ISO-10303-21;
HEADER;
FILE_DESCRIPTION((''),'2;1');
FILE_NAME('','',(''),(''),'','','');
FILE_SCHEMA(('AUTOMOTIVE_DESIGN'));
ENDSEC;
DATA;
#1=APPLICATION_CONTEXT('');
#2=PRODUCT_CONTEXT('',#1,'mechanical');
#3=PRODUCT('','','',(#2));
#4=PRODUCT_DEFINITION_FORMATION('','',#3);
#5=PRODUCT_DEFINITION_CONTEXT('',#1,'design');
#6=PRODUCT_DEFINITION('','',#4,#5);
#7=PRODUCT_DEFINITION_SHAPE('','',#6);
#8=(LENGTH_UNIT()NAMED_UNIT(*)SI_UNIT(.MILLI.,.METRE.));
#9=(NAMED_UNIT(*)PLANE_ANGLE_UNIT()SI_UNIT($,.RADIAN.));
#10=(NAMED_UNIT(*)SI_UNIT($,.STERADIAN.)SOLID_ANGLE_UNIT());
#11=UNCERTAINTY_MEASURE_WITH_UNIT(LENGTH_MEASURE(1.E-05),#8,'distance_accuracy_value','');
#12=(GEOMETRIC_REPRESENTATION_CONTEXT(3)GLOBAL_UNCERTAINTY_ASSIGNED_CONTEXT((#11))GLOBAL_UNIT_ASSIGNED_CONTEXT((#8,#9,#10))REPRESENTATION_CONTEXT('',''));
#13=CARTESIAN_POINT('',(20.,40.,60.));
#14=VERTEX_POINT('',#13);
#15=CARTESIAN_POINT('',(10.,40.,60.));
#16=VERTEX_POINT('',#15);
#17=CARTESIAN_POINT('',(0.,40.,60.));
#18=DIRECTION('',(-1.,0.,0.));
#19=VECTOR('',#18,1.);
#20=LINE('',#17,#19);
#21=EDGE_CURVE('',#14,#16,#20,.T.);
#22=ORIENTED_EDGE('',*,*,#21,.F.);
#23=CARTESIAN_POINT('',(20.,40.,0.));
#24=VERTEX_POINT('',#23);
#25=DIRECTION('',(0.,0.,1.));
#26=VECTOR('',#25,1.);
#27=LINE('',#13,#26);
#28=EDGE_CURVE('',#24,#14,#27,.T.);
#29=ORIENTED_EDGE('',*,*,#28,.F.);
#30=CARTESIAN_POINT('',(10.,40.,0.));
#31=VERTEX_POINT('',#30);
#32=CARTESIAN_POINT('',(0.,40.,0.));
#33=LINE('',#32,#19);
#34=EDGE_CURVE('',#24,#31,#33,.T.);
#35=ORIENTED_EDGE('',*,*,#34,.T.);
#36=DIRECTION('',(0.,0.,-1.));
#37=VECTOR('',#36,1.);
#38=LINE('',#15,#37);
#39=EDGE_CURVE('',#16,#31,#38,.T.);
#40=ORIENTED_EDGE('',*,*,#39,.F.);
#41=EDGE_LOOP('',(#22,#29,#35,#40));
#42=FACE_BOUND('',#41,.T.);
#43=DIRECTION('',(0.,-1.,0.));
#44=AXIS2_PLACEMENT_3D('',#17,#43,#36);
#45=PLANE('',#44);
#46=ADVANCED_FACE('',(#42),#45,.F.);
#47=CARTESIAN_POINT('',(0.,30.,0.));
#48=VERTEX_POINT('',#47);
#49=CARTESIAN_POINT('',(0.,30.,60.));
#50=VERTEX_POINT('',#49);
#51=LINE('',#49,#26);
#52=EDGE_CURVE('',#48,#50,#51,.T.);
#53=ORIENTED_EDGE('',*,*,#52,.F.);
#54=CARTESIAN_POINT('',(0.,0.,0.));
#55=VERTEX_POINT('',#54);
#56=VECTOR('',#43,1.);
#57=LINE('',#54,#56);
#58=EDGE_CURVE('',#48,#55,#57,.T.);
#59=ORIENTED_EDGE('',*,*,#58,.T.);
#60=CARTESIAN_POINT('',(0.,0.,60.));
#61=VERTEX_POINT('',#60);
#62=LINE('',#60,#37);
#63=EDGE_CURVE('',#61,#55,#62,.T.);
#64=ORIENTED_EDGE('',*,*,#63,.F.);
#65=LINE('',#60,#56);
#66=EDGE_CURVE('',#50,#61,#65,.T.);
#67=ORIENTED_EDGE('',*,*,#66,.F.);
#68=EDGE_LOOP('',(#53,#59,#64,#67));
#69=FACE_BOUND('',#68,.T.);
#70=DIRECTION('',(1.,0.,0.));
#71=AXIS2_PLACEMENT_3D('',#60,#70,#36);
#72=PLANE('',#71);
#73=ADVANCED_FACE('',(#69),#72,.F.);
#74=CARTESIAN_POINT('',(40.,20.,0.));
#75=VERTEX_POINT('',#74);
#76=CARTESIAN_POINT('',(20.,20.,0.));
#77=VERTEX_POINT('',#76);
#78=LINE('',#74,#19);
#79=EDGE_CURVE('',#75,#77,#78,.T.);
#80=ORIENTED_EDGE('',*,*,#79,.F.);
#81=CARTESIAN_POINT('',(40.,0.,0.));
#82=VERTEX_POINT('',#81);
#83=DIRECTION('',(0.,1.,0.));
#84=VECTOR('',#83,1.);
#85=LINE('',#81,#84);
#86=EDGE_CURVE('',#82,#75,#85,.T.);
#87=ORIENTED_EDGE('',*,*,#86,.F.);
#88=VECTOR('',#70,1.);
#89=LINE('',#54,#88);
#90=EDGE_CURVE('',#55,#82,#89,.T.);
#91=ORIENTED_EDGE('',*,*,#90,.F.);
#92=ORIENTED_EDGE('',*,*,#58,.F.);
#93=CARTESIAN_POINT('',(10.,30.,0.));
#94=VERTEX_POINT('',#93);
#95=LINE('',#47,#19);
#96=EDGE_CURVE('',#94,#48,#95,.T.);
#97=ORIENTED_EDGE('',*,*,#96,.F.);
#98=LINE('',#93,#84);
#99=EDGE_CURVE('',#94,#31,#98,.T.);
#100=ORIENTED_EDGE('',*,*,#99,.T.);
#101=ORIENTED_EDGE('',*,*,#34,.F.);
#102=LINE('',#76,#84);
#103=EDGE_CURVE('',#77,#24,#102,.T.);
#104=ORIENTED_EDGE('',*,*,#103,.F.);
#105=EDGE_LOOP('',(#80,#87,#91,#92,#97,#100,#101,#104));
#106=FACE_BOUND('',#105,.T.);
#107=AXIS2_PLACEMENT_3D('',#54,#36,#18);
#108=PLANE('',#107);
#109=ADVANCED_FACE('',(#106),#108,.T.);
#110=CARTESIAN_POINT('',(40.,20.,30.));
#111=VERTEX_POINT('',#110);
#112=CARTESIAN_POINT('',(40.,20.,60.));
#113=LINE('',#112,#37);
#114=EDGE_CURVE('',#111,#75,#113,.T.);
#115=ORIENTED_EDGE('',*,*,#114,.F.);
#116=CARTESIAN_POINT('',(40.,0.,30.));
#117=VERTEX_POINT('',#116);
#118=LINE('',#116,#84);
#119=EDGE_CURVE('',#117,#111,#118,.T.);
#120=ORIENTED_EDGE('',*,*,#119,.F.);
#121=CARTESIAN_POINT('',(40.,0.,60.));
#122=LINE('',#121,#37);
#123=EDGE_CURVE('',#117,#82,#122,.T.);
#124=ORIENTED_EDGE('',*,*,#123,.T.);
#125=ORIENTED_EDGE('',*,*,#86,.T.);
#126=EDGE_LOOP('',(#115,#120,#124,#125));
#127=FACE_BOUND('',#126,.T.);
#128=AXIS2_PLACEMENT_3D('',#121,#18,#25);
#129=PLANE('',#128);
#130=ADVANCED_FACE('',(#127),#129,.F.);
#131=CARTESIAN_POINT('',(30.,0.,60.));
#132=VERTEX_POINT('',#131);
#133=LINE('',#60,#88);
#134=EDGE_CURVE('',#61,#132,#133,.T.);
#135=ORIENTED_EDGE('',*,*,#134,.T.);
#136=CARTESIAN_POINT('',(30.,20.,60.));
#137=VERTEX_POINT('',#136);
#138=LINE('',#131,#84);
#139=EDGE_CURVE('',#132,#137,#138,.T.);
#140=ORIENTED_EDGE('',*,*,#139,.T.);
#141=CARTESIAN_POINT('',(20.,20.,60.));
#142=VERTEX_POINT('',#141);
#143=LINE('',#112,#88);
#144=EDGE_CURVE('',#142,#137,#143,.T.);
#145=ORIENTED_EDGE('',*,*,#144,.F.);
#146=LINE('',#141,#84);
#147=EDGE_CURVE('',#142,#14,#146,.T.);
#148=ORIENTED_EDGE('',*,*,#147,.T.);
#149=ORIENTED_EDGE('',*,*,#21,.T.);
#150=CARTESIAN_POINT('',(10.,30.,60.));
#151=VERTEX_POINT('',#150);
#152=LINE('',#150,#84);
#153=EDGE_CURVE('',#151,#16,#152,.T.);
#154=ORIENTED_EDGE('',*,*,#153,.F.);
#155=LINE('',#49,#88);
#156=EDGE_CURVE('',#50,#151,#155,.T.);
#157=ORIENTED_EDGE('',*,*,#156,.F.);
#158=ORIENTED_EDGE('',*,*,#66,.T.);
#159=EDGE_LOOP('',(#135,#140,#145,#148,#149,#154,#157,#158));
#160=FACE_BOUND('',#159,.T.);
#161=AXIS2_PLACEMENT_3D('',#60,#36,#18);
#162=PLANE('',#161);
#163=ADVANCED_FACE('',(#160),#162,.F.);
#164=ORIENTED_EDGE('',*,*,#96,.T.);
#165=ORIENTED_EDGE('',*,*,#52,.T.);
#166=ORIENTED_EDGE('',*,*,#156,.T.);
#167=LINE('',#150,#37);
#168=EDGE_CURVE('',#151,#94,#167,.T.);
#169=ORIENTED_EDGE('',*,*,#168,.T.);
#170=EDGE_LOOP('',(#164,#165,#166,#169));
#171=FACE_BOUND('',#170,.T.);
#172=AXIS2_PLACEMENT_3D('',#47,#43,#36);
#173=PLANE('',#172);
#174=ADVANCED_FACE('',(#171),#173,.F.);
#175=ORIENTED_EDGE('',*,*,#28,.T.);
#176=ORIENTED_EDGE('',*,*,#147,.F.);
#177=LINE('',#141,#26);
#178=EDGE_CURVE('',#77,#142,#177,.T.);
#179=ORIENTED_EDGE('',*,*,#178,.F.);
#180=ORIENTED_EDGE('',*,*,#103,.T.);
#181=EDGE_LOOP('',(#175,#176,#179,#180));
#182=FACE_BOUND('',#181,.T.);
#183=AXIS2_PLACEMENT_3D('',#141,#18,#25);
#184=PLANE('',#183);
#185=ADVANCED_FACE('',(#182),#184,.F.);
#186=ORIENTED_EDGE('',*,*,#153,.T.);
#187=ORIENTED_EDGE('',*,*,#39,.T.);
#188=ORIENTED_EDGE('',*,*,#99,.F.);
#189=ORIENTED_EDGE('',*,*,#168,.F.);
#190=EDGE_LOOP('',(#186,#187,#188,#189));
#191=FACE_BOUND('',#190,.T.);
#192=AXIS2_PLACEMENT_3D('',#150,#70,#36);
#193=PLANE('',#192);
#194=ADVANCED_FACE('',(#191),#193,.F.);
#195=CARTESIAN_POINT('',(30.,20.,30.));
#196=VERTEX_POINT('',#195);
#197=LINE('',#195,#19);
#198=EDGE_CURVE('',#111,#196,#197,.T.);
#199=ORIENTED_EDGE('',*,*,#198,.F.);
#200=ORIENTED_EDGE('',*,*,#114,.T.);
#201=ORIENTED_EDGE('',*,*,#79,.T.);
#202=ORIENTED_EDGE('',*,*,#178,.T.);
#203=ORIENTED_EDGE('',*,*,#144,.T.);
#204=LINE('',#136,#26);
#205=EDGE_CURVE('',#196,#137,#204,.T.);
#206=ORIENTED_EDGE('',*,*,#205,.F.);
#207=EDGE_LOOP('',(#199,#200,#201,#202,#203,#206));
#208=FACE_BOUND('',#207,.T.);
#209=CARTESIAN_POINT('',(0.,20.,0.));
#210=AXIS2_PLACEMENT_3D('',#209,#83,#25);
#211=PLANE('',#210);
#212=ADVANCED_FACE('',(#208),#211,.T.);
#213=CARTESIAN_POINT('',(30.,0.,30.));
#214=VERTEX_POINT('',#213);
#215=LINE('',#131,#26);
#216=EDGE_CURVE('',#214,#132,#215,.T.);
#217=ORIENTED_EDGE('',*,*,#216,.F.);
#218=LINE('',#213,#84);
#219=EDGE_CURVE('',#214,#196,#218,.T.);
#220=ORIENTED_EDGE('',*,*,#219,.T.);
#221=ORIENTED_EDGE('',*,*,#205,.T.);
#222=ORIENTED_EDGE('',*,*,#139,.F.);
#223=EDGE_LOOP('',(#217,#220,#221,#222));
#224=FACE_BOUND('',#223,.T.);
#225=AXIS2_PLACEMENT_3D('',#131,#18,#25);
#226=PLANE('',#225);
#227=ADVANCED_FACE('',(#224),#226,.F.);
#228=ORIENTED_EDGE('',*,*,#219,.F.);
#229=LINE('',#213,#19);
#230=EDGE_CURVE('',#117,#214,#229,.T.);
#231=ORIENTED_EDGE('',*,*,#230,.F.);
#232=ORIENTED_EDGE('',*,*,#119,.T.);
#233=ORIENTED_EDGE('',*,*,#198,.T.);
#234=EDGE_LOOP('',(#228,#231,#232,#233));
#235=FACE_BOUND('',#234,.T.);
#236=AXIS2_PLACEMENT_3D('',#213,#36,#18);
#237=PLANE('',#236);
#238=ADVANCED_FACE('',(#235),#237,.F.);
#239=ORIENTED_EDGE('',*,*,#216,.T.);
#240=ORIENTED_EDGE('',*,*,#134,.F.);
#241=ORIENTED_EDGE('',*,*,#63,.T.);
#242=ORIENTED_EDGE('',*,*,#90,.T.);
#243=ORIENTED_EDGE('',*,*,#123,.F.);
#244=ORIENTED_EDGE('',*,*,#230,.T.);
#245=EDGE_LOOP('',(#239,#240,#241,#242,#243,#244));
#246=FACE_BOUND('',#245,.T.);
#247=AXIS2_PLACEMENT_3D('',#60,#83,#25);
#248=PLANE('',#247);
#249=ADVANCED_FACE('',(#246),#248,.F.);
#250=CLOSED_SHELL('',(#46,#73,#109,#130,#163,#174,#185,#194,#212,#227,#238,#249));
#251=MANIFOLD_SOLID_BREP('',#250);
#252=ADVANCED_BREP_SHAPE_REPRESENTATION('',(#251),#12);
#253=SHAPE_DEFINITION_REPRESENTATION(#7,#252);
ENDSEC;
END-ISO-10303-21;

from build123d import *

# Parameters (mm, degrees)
SKETCH1_W           = 40
SKETCH1_H           = 40
BOSS_EXTRUDE1_DEPTH = 60
SKETCH2_W           = 20
SKETCH2_H           = 60
CUT_EXTRUDE1_DEPTH  = 20
SKETCH3_W           = 10
SKETCH3_H           = 30
CUT_EXTRUDE2_DEPTH  = 20
SKETCH4_W           = 10
SKETCH4_H           = 60
CUT_EXTRUDE3_DEPTH  = 10


with BuildPart() as part:
    # Sketch1 → Boss-Extrude1 (new body)
    with BuildSketch(Plane.XY):
        with Locations((20, 20)):
            Rectangle(SKETCH1_W, SKETCH1_H)
    extrude(amount=BOSS_EXTRUDE1_DEPTH)

    # Sketch2 → Cut-Extrude1 (cut)
    with BuildSketch(Plane(origin=(0, 40, 0), x_dir=(1, 0, 0), z_dir=(0, 1, 0))):
        with Locations((30, -30)):
            Rectangle(SKETCH2_W, SKETCH2_H)
    extrude(amount=-CUT_EXTRUDE1_DEPTH, mode=Mode.SUBTRACT)

    # Sketch3 → Cut-Extrude2 (cut)
    with BuildSketch(Plane(origin=(0, 20, 0), x_dir=(1, 0, 0), z_dir=(0, 1, 0))):
        with Locations((35, -45)):
            Rectangle(SKETCH3_W, SKETCH3_H)
    extrude(amount=-CUT_EXTRUDE2_DEPTH, mode=Mode.SUBTRACT)

    # Sketch4 → Cut-Extrude3 (cut)
    with BuildSketch(Plane(origin=(0, 40, 0), x_dir=(1, 0, 0), z_dir=(0, 1, 0))):
        with Locations((5, -30)):
            Rectangle(SKETCH4_W, SKETCH4_H)
    extrude(amount=-CUT_EXTRUDE3_DEPTH, mode=Mode.SUBTRACT)


solid = part.part
